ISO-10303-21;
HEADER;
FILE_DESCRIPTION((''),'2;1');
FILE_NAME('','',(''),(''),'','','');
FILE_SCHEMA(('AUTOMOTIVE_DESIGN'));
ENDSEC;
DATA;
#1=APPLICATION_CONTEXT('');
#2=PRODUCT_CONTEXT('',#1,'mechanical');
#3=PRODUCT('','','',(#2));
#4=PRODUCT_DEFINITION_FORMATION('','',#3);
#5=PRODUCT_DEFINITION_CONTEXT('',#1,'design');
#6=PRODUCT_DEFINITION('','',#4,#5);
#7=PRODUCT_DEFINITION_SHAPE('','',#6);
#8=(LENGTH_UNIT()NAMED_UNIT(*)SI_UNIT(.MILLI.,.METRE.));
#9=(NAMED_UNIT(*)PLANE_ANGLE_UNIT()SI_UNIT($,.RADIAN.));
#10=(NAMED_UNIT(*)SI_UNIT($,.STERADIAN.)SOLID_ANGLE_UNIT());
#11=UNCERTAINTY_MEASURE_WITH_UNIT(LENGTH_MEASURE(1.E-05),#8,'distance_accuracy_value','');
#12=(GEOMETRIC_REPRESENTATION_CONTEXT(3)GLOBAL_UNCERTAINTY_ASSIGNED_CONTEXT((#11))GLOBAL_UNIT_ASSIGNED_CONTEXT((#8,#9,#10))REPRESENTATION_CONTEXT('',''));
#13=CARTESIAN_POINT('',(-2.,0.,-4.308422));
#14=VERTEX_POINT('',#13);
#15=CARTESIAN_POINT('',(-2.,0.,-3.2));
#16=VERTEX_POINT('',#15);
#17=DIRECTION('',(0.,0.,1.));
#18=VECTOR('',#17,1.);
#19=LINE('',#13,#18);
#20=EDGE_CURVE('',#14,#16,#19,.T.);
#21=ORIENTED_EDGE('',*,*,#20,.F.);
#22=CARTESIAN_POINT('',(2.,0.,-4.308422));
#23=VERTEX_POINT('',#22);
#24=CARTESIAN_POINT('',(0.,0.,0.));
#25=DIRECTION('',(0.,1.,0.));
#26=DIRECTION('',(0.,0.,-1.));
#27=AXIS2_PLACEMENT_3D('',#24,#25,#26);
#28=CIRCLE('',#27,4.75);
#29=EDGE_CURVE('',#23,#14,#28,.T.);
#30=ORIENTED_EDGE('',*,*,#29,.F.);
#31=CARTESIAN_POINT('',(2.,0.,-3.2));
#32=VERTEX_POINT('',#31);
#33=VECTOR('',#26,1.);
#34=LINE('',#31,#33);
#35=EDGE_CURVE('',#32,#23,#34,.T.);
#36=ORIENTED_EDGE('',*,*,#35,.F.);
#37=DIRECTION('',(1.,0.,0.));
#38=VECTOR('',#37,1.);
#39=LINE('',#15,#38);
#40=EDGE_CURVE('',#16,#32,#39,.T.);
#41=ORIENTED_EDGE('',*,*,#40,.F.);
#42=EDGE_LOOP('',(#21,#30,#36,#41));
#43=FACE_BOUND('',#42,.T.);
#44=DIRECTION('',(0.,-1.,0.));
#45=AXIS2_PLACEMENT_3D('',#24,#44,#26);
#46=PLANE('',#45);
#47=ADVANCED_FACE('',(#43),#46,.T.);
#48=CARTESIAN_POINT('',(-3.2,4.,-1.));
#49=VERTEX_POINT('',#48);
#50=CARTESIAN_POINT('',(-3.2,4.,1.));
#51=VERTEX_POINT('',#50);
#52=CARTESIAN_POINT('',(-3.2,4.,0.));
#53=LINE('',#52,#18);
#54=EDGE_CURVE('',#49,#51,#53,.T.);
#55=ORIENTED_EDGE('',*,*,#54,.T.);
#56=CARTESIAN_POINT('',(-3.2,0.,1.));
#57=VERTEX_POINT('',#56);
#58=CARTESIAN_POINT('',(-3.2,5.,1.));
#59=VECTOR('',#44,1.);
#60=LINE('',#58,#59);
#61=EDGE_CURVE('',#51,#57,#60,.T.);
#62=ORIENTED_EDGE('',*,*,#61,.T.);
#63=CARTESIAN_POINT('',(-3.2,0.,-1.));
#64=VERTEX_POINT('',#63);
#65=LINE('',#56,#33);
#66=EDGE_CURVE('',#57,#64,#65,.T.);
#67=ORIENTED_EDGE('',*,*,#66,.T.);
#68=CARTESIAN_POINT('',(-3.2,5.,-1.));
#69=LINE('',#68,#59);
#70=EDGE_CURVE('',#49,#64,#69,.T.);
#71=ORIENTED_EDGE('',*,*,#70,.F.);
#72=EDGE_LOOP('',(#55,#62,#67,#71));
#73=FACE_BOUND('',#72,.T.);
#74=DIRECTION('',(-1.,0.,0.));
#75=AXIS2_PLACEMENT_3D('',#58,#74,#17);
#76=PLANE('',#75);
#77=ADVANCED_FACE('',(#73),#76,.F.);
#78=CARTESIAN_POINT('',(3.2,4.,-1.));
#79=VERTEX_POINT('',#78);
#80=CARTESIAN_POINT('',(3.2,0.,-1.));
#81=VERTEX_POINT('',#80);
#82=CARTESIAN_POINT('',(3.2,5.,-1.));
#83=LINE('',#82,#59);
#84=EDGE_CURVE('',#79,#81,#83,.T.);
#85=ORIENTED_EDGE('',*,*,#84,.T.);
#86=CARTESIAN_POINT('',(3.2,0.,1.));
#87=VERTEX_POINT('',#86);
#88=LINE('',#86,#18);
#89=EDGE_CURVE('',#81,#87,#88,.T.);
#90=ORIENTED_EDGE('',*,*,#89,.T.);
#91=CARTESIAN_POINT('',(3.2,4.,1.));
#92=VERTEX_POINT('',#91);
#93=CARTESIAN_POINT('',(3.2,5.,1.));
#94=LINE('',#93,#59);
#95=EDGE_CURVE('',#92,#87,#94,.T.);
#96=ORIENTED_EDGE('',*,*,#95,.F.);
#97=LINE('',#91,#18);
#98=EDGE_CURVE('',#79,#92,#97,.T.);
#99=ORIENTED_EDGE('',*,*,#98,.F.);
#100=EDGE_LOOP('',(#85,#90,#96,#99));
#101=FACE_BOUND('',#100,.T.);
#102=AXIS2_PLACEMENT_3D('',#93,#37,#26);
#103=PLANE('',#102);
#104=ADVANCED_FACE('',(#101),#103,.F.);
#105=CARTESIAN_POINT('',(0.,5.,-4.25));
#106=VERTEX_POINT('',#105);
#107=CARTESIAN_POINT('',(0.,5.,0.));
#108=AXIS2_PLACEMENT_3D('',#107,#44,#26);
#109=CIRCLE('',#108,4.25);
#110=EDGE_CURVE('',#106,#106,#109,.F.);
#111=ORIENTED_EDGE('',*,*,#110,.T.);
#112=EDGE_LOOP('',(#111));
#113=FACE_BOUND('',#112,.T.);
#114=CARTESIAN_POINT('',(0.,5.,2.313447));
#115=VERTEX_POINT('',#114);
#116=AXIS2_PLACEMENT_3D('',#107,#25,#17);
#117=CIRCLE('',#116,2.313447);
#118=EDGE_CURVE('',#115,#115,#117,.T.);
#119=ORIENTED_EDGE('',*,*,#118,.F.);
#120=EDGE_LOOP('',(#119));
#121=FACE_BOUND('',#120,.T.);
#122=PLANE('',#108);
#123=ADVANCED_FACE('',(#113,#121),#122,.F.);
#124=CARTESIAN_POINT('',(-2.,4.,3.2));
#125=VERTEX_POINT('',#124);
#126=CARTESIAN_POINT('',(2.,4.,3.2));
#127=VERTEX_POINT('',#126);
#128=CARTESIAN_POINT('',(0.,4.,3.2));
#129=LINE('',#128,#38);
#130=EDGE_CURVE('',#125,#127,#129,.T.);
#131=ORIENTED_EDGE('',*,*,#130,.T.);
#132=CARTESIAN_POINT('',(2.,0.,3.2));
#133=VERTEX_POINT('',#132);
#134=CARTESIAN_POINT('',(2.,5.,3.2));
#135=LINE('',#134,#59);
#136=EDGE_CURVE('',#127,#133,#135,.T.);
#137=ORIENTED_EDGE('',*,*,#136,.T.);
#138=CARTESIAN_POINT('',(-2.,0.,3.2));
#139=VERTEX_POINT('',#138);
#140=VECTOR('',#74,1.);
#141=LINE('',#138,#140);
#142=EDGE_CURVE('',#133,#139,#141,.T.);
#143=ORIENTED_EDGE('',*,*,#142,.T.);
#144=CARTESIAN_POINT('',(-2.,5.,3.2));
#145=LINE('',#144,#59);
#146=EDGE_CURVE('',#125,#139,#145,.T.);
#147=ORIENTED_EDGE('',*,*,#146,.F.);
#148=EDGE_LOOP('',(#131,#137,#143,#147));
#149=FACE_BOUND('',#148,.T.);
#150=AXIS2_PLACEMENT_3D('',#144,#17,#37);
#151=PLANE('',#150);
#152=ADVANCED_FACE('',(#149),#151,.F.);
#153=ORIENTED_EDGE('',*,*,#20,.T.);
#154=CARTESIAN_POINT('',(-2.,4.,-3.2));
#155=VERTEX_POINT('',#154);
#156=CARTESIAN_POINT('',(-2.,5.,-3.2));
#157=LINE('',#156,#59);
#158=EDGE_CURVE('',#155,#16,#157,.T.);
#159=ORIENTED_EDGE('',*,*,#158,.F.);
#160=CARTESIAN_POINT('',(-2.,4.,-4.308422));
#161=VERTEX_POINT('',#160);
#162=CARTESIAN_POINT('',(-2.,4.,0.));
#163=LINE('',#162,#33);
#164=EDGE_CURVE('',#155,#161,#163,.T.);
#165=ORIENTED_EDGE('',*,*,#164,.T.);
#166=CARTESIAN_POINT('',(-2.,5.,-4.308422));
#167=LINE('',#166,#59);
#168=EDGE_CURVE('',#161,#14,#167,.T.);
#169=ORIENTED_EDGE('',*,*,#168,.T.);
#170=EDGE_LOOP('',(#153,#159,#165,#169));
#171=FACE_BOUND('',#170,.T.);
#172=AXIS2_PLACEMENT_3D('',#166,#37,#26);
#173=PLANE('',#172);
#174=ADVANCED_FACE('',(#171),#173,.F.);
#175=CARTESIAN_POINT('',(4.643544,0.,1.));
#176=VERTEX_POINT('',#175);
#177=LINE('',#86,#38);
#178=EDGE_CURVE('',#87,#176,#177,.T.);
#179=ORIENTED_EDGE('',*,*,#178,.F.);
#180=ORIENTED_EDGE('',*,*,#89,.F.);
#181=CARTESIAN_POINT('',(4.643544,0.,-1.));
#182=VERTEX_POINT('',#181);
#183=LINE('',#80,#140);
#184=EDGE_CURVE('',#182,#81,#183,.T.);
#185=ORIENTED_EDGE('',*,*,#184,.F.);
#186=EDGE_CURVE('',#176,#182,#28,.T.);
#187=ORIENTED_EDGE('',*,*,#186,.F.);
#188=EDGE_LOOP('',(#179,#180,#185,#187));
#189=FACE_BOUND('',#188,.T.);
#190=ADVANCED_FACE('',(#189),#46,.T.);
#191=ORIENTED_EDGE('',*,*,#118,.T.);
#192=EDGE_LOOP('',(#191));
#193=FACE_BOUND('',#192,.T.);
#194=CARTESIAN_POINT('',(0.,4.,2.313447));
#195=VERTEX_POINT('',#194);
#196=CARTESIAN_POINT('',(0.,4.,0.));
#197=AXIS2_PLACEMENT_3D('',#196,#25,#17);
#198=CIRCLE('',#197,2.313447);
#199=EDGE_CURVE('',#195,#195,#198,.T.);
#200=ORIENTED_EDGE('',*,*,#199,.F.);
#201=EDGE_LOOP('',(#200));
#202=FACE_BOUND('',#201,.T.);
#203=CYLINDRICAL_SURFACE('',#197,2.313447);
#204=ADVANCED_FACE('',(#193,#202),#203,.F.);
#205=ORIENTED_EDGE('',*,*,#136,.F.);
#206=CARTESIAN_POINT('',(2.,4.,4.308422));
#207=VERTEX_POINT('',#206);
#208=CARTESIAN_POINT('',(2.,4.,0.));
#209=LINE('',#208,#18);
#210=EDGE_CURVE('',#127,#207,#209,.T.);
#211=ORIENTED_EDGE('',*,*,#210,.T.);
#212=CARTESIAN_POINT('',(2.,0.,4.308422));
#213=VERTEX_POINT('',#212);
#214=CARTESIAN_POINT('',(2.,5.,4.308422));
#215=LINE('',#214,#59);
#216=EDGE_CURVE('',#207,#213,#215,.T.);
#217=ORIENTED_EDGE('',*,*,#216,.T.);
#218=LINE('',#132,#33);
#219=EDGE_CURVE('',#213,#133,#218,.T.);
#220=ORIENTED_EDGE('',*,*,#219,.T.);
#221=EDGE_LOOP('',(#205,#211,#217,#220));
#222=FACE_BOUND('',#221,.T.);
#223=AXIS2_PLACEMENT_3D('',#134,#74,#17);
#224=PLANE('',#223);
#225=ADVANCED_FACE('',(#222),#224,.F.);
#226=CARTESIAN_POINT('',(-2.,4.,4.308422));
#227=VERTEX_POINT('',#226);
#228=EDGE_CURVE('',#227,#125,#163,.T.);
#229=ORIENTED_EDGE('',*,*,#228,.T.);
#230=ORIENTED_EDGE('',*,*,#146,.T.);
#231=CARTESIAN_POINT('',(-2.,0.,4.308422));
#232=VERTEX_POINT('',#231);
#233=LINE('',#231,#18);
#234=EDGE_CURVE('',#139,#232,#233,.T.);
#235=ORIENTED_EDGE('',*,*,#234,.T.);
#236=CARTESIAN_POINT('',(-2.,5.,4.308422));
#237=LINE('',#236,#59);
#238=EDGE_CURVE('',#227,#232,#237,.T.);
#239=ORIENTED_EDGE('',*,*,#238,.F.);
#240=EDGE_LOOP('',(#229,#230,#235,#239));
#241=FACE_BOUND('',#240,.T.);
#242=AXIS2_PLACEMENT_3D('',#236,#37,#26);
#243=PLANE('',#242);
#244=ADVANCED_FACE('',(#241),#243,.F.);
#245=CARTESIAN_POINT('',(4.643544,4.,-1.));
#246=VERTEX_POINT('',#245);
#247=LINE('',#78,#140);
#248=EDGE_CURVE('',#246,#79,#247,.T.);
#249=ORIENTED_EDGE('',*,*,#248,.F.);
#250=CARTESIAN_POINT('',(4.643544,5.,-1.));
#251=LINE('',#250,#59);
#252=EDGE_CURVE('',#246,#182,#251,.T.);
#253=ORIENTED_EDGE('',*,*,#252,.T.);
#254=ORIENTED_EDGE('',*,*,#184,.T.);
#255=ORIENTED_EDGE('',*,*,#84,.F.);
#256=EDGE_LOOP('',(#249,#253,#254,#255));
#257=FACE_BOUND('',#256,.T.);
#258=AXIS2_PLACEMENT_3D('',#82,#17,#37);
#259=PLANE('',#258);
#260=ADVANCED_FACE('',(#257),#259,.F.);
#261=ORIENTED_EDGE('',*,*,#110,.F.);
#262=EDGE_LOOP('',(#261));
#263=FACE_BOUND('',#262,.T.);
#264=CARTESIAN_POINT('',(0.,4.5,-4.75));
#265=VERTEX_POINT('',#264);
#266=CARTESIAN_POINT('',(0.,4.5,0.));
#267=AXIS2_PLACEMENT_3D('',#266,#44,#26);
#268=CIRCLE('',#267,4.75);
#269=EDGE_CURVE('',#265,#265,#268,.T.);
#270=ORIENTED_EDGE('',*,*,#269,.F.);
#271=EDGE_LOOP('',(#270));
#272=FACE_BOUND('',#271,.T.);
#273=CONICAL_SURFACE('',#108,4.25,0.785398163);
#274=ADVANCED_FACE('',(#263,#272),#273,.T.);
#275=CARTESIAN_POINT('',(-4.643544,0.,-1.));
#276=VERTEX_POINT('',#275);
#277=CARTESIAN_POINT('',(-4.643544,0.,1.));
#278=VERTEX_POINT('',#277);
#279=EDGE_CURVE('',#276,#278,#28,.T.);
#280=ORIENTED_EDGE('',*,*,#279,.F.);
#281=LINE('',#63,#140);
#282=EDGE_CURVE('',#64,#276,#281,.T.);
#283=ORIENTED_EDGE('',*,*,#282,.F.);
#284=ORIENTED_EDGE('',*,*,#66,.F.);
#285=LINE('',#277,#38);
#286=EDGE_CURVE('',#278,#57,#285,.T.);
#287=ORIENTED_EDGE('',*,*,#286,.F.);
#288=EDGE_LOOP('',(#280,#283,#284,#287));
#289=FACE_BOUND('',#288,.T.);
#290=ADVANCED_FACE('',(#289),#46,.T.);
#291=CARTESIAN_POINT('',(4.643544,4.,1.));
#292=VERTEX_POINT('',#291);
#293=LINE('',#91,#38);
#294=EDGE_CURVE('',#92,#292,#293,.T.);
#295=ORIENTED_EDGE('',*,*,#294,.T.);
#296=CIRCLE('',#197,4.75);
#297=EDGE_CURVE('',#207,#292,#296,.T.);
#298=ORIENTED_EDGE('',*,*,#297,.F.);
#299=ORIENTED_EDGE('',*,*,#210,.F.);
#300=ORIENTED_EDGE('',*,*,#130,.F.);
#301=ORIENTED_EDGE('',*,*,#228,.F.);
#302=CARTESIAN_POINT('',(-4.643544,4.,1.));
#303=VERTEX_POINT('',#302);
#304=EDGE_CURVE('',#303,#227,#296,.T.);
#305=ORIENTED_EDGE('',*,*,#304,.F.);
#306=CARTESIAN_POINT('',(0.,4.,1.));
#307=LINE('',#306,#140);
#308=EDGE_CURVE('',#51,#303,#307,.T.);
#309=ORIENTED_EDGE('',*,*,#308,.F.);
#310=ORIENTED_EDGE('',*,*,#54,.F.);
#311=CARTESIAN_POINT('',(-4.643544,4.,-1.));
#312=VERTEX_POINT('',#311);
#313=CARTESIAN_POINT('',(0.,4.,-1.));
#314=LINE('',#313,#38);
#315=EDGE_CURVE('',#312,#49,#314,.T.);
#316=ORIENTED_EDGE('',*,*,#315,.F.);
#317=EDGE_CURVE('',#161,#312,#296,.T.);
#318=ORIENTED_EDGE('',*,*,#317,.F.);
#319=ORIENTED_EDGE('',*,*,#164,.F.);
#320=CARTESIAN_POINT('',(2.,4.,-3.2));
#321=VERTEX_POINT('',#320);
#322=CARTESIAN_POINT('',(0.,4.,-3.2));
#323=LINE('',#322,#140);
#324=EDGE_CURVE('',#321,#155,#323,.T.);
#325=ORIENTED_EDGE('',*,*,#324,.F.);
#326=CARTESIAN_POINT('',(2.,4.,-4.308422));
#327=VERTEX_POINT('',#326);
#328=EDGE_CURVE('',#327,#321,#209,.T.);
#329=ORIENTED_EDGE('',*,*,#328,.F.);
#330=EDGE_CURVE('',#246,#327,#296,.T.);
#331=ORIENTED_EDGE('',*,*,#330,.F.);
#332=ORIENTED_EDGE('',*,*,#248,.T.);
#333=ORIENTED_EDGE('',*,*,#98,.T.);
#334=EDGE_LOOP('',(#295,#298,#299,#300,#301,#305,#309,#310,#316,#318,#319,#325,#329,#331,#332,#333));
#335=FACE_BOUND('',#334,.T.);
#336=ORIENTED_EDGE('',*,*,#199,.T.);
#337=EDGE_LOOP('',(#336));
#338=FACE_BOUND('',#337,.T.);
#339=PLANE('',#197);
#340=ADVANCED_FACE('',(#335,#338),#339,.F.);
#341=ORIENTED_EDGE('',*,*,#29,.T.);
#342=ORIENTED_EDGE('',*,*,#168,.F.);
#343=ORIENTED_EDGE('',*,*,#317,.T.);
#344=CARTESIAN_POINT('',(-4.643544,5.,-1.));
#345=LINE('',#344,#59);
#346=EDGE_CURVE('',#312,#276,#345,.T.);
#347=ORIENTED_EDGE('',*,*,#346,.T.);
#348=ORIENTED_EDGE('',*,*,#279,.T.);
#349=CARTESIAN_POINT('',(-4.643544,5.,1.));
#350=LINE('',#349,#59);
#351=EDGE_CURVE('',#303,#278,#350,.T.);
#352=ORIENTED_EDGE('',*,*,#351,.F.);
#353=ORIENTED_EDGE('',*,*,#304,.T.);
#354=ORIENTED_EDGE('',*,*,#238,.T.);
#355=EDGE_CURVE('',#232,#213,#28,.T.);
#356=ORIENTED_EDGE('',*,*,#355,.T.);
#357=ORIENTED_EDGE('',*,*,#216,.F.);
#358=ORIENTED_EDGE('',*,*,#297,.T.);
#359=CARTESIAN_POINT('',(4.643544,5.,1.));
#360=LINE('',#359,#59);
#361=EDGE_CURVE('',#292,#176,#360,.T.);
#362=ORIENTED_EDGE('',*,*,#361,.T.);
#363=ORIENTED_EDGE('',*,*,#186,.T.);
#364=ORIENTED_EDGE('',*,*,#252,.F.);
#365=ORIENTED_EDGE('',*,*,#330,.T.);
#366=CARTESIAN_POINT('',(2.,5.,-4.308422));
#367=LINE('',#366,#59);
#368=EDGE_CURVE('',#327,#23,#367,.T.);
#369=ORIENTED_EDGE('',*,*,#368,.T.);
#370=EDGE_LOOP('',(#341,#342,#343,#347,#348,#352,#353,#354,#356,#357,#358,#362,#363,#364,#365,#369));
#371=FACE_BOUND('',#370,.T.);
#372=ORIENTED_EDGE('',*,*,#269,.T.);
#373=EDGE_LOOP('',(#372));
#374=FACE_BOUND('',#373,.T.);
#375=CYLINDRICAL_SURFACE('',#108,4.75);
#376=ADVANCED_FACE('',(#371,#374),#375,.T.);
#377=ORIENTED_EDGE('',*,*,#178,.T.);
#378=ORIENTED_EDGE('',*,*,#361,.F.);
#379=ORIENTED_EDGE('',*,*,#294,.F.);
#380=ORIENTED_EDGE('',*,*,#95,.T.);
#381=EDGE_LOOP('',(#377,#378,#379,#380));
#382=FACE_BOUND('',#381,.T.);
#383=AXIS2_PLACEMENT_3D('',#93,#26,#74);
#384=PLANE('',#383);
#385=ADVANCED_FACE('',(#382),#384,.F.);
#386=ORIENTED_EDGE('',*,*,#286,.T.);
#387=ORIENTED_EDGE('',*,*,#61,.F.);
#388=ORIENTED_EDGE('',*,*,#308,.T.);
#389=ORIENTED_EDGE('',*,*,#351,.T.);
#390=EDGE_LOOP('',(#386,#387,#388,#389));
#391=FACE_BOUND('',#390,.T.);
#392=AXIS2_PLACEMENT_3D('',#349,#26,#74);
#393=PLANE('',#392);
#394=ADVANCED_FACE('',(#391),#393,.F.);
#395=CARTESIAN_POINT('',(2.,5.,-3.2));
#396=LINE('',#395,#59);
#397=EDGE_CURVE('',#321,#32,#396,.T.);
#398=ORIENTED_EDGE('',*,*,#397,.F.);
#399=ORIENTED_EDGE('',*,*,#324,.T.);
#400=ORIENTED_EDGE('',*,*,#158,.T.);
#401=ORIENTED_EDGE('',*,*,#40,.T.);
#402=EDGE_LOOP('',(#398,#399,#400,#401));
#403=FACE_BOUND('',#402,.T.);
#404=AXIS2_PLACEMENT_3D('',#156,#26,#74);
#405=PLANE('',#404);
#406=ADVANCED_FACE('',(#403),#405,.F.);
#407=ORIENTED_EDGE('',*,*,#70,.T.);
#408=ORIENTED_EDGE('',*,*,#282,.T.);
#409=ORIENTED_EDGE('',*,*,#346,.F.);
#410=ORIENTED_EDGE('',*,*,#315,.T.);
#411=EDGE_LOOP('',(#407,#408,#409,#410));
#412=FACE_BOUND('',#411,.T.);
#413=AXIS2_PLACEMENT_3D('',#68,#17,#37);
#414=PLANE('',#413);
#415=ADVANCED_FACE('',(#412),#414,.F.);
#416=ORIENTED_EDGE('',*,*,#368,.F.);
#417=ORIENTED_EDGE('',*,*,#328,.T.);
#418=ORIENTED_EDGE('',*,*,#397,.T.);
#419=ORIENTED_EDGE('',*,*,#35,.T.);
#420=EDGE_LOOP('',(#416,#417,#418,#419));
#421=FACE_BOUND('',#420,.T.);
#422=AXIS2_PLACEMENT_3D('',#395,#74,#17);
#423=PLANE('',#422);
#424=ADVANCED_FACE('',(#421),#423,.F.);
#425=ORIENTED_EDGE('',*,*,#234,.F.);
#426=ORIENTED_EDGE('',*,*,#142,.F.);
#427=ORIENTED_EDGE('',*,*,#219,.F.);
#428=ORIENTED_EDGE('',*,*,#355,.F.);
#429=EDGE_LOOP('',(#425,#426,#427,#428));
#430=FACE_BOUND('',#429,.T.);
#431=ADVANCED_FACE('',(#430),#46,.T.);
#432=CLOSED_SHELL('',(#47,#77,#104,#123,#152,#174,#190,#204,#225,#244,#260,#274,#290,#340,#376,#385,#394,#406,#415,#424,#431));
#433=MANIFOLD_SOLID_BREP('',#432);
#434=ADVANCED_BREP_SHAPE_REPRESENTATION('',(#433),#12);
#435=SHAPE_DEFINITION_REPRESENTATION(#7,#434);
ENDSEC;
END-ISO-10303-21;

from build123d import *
from build123d.topology import SkipClean

# Parameters (mm, degrees)
BOSS_EXTRUDE1_DEPTH   = 5
BOSS_EXTRUDE1_2_DEPTH = 5
BOSS_EXTRUDE1_3_DEPTH = 5
BOSS_EXTRUDE1_4_DEPTH = 5
BOSS_EXTRUDE2_START   = -1
SKETCH2_R             = 4.75
SKETCH2_R_2           = 2.313447094
BOSS_EXTRUDE2_DEPTH   = 1
CHAMFER1_SIZE         = 0.5


with BuildPart() as part:
    # Sketch1 → Boss-Extrude1 (new body)
    with BuildSketch(Plane(origin=(0, 0, 0), x_dir=(1, 0, 0), z_dir=(0, 1, 0))):
        with BuildLine():
            Line((3.2, -1), (3.2, 1))
            Line((3.2, 1), (4.643543905, 1))
            ThreePointArc((4.643543905, 1), (4.75, 0), (4.643543905, -1))
            Line((4.643543905, -1), (3.2, -1))
        make_face()
    extrude(amount=BOSS_EXTRUDE1_DEPTH)



with BuildPart() as body_2:
    # Sketch1 → Boss-Extrude1 2 (new body)
    with BuildSketch(Plane(origin=(0, 0, 0), x_dir=(1, 0, 0), z_dir=(0, 1, 0))):
        with BuildLine():
            Line((-4.643543905, -1), (-3.2, -1))
            Line((-3.2, -1), (-3.2, 1))
            Line((-3.2, 1), (-4.643543905, 1))
            ThreePointArc((-4.643543905, 1), (-4.75, 0), (-4.643543905, -1))
        make_face()
    extrude(amount=BOSS_EXTRUDE1_2_DEPTH)


with BuildPart() as body_3:
    # Sketch1 → Boss-Extrude1 3 (new body)
    with BuildSketch(Plane(origin=(0, 0, 0), x_dir=(1, 0, 0), z_dir=(0, 1, 0))):
        with BuildLine():
            Line((-2, -4.308421985), (-2, -3.2))
            Line((-2, -3.2), (2, -3.2))
            Line((2, -3.2), (2, -4.308421985))
            ThreePointArc((2, -4.308421985), (0, -4.75), (-2, -4.308421985))
        make_face()
    extrude(amount=BOSS_EXTRUDE1_3_DEPTH)


with BuildPart() as body_4:
    # Sketch1 → Boss-Extrude1 4 (new body)
    with BuildSketch(Plane(origin=(0, 0, 0), x_dir=(1, 0, 0), z_dir=(0, 1, 0))):
        with BuildLine():
            Line((-2, 4.308421985), (-2, 3.2))
            Line((-2, 3.2), (2, 3.2))
            Line((2, 3.2), (2, 4.308421985))
            ThreePointArc((2, 4.308421985), (0, 4.75), (-2, 4.308421985))
        make_face()
    extrude(amount=BOSS_EXTRUDE1_4_DEPTH)


with BuildPart() as part_1:
    with SkipClean():  # the faces are left unmerged after this step: merging them gives an invalid solid
        add(part.part)

        add(body_2.part)  # Boss-Extrude2 merges body 2

        add(body_3.part)  # Boss-Extrude2 merges body 3

        add(body_4.part)  # Boss-Extrude2 merges body 4
        # Sketch2 → Boss-Extrude2 (add)
        with BuildSketch(Plane(origin=(0, 5, 0), x_dir=(1, 0, 0), z_dir=(0, 1, 0)).offset(BOSS_EXTRUDE2_START)):
            Circle(SKETCH2_R)
            Circle(SKETCH2_R_2, mode=Mode.SUBTRACT)
        extrude(amount=BOSS_EXTRUDE2_DEPTH)

    # Chamfer1
    chamfer1_edges = [part_1.edges().sort_by_distance(p)[0] for p in [
        (0, 5, -4.75),
    ]]
    chamfer(chamfer1_edges, length=CHAMFER1_SIZE)


solid = part_1.part
